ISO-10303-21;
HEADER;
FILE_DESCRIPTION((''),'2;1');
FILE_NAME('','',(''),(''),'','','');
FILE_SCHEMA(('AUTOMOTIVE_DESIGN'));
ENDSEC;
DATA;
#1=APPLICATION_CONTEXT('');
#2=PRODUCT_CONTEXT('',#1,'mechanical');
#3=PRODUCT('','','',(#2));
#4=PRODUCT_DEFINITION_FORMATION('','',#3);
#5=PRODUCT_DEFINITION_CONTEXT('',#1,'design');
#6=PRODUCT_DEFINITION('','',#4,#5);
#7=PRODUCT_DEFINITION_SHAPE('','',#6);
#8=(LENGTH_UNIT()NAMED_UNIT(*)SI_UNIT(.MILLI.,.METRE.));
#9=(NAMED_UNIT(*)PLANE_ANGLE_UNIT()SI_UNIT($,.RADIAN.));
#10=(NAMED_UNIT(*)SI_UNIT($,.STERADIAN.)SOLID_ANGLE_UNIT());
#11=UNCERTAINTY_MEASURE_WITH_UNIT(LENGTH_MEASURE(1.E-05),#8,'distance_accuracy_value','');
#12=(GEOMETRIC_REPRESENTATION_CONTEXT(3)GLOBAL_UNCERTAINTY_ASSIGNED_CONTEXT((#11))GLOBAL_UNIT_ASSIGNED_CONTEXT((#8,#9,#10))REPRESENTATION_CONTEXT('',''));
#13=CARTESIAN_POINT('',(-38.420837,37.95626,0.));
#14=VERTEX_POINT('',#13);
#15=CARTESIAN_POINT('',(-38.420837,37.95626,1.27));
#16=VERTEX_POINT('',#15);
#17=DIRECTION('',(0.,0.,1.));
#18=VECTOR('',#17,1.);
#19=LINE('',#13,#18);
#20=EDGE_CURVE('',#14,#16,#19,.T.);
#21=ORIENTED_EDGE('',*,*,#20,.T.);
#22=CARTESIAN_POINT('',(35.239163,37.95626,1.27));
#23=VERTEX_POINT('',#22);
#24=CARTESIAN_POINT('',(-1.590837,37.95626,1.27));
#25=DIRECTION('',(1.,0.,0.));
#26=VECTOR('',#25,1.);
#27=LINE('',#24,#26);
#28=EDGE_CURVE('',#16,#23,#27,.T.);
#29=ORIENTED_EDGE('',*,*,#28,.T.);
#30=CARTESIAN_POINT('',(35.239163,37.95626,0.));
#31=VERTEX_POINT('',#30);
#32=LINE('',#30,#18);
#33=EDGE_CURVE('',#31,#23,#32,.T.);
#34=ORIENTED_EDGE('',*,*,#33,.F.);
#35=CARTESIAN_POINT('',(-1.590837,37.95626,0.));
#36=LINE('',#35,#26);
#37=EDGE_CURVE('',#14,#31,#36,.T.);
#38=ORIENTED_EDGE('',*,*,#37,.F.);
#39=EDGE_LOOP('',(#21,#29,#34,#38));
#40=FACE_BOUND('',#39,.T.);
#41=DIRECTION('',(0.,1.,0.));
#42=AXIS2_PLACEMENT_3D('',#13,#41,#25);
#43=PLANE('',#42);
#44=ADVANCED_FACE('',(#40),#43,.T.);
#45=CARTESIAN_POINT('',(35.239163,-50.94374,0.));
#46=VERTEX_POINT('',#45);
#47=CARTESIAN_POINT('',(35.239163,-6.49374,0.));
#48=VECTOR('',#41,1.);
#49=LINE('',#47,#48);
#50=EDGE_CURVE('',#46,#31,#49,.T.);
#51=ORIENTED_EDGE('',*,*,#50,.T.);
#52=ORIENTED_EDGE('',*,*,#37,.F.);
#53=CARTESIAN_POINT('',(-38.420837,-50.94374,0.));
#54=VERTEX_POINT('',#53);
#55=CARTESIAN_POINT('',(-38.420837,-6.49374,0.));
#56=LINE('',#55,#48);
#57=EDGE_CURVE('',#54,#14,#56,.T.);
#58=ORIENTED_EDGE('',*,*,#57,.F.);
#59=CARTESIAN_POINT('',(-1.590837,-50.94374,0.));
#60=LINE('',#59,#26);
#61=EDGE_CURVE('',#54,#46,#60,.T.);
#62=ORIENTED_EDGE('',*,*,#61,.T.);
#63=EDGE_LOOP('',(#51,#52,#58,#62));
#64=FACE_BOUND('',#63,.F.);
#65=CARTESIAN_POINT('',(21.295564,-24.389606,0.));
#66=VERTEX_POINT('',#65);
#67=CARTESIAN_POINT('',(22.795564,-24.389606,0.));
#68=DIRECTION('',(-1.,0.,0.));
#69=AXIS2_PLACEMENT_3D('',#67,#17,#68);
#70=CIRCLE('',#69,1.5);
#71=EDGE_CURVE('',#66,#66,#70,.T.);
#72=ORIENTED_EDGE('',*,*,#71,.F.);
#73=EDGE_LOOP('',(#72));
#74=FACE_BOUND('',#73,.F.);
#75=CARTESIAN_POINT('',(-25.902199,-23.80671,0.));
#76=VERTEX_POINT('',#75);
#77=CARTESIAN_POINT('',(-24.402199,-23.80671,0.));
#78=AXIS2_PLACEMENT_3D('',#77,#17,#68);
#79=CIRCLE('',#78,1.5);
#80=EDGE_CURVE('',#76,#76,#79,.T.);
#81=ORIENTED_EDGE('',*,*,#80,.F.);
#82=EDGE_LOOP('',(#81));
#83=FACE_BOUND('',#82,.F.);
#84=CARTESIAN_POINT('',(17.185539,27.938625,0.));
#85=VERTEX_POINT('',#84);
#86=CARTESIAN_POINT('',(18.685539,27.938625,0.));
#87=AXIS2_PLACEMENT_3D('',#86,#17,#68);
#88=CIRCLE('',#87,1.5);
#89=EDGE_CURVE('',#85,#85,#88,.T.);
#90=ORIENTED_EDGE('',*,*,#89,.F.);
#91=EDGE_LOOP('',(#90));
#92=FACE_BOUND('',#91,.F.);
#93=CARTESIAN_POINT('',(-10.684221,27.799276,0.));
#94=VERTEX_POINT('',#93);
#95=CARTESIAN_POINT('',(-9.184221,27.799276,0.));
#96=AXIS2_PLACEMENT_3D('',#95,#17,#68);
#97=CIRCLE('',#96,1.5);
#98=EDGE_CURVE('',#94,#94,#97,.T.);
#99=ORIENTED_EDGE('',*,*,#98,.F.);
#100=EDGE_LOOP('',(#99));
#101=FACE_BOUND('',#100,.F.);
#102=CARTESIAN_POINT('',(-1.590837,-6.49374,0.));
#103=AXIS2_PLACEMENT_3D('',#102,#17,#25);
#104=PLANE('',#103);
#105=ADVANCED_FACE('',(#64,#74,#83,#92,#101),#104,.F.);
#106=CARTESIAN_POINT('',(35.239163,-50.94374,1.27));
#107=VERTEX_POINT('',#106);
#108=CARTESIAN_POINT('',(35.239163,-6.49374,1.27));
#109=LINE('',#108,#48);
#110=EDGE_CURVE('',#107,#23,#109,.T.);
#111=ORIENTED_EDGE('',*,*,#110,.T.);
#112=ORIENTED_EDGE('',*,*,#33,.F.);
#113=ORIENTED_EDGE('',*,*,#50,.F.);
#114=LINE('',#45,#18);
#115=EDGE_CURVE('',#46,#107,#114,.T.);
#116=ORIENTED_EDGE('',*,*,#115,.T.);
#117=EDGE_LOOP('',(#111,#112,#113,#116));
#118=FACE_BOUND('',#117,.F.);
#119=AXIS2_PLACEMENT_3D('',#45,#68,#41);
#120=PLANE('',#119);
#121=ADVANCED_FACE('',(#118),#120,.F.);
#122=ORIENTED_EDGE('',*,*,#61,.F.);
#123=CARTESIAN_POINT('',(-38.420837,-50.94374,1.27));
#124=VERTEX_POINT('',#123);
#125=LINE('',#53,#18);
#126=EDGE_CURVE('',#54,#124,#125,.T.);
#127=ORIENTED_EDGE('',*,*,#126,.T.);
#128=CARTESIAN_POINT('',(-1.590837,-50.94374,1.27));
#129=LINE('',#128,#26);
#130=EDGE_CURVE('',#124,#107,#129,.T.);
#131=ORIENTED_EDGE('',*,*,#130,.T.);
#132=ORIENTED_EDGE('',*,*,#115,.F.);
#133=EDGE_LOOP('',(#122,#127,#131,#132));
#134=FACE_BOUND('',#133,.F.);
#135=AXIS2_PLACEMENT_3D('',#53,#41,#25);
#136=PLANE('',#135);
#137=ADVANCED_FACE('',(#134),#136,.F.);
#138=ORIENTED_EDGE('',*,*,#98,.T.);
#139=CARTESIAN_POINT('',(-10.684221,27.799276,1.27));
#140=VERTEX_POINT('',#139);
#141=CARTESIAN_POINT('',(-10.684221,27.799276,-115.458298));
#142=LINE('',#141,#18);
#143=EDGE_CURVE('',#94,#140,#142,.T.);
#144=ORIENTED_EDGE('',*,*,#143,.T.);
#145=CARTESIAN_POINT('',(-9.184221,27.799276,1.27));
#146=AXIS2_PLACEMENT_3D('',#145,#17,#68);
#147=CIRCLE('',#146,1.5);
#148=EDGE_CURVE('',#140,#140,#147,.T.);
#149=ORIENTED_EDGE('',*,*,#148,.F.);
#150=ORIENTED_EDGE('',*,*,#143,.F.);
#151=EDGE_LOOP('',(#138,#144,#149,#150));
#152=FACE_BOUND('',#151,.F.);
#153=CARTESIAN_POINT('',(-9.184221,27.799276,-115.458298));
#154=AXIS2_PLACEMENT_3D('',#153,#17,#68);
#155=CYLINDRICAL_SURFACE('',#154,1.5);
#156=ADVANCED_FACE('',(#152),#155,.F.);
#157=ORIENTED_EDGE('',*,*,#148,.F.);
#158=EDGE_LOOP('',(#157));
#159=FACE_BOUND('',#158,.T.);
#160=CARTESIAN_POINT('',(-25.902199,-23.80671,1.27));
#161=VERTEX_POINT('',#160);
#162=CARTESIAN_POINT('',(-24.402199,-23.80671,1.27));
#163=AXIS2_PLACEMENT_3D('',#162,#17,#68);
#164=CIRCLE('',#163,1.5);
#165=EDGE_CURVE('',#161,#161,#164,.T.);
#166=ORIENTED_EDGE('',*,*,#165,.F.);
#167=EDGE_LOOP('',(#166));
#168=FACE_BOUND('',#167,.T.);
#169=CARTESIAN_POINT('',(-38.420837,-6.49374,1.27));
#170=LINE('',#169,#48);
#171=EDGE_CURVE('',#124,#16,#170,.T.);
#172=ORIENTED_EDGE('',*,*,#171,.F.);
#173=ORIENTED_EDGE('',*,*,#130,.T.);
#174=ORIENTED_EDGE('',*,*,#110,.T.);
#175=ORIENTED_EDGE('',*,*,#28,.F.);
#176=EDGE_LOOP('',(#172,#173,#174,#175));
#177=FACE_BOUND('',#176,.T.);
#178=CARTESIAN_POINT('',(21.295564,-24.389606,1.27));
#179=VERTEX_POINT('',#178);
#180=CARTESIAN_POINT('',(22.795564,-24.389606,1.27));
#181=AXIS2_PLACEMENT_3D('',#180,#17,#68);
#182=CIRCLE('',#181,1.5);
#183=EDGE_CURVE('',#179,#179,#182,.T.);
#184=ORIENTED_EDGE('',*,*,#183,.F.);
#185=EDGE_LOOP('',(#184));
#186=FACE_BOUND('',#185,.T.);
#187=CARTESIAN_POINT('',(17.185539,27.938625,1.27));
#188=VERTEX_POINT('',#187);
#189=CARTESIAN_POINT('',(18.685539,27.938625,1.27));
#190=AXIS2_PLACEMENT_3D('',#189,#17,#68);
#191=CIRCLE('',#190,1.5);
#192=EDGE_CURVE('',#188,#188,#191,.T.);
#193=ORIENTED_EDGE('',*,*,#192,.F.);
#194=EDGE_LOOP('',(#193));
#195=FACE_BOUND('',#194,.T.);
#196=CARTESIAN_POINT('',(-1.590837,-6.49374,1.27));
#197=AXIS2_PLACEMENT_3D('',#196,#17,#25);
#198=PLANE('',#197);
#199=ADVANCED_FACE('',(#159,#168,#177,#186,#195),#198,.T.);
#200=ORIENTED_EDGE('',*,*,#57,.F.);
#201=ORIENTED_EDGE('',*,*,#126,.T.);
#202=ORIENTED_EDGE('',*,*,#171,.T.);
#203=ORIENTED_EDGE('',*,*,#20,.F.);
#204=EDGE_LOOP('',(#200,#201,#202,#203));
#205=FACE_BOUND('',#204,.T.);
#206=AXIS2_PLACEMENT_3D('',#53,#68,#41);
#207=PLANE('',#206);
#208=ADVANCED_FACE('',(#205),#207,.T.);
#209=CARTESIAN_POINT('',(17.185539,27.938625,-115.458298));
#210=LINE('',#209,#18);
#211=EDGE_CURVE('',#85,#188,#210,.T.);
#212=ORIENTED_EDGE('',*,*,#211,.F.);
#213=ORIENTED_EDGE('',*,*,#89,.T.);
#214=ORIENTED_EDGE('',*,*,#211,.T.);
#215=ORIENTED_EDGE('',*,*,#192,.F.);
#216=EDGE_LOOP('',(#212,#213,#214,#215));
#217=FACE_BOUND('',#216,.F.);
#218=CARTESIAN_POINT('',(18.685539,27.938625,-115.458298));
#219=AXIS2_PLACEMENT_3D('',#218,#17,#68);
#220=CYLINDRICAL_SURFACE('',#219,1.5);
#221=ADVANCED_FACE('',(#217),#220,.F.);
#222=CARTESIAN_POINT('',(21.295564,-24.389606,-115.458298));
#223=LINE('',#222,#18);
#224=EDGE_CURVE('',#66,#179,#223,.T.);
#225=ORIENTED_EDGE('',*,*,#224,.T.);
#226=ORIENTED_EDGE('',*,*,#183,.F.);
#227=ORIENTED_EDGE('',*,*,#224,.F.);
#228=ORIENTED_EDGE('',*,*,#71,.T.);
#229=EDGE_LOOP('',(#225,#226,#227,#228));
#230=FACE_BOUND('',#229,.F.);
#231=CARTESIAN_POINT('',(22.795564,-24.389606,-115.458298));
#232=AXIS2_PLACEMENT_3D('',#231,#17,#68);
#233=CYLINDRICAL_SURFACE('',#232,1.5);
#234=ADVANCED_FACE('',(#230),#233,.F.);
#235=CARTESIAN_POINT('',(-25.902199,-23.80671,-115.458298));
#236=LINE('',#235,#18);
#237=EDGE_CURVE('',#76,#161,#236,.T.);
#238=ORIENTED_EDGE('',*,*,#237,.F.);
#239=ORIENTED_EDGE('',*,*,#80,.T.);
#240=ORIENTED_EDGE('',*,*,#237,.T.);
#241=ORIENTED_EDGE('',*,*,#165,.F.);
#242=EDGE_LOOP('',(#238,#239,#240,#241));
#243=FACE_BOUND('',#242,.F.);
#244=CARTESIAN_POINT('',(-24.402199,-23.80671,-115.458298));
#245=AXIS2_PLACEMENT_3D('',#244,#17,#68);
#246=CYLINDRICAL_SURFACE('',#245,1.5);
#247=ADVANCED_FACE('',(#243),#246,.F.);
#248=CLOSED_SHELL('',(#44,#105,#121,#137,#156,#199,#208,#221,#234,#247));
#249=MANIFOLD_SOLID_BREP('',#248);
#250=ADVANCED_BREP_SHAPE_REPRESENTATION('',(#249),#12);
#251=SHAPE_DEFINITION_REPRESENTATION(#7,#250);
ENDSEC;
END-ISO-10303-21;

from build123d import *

# Parameters (mm, degrees)
F0_W     = 73.66
F0_H     = 88.9
F1_DEPTH = 1.27
F2_D     = 3


with BuildPart() as f1:
    # F0 (on Top) → F1 (new body)
    with BuildSketch(Plane.XY):
        with Locations((-1.5908373725, -6.4937397122)):
            Rectangle(F0_W, F0_H)
    extrude(amount=F1_DEPTH)

    # F2 (through all)
    with Locations(Plane(origin=(0, 0, 0), x_dir=(1, 0, 0), z_dir=(0, 0, -1))):
        with Locations((-9.1842212971, -27.7992760076), (18.6855387618, -27.9386251478), (22.7955635637, 24.3896059692), (-24.402199313, 23.8067097962)):
            Hole(F2_D / 2)


solid = f1.part
